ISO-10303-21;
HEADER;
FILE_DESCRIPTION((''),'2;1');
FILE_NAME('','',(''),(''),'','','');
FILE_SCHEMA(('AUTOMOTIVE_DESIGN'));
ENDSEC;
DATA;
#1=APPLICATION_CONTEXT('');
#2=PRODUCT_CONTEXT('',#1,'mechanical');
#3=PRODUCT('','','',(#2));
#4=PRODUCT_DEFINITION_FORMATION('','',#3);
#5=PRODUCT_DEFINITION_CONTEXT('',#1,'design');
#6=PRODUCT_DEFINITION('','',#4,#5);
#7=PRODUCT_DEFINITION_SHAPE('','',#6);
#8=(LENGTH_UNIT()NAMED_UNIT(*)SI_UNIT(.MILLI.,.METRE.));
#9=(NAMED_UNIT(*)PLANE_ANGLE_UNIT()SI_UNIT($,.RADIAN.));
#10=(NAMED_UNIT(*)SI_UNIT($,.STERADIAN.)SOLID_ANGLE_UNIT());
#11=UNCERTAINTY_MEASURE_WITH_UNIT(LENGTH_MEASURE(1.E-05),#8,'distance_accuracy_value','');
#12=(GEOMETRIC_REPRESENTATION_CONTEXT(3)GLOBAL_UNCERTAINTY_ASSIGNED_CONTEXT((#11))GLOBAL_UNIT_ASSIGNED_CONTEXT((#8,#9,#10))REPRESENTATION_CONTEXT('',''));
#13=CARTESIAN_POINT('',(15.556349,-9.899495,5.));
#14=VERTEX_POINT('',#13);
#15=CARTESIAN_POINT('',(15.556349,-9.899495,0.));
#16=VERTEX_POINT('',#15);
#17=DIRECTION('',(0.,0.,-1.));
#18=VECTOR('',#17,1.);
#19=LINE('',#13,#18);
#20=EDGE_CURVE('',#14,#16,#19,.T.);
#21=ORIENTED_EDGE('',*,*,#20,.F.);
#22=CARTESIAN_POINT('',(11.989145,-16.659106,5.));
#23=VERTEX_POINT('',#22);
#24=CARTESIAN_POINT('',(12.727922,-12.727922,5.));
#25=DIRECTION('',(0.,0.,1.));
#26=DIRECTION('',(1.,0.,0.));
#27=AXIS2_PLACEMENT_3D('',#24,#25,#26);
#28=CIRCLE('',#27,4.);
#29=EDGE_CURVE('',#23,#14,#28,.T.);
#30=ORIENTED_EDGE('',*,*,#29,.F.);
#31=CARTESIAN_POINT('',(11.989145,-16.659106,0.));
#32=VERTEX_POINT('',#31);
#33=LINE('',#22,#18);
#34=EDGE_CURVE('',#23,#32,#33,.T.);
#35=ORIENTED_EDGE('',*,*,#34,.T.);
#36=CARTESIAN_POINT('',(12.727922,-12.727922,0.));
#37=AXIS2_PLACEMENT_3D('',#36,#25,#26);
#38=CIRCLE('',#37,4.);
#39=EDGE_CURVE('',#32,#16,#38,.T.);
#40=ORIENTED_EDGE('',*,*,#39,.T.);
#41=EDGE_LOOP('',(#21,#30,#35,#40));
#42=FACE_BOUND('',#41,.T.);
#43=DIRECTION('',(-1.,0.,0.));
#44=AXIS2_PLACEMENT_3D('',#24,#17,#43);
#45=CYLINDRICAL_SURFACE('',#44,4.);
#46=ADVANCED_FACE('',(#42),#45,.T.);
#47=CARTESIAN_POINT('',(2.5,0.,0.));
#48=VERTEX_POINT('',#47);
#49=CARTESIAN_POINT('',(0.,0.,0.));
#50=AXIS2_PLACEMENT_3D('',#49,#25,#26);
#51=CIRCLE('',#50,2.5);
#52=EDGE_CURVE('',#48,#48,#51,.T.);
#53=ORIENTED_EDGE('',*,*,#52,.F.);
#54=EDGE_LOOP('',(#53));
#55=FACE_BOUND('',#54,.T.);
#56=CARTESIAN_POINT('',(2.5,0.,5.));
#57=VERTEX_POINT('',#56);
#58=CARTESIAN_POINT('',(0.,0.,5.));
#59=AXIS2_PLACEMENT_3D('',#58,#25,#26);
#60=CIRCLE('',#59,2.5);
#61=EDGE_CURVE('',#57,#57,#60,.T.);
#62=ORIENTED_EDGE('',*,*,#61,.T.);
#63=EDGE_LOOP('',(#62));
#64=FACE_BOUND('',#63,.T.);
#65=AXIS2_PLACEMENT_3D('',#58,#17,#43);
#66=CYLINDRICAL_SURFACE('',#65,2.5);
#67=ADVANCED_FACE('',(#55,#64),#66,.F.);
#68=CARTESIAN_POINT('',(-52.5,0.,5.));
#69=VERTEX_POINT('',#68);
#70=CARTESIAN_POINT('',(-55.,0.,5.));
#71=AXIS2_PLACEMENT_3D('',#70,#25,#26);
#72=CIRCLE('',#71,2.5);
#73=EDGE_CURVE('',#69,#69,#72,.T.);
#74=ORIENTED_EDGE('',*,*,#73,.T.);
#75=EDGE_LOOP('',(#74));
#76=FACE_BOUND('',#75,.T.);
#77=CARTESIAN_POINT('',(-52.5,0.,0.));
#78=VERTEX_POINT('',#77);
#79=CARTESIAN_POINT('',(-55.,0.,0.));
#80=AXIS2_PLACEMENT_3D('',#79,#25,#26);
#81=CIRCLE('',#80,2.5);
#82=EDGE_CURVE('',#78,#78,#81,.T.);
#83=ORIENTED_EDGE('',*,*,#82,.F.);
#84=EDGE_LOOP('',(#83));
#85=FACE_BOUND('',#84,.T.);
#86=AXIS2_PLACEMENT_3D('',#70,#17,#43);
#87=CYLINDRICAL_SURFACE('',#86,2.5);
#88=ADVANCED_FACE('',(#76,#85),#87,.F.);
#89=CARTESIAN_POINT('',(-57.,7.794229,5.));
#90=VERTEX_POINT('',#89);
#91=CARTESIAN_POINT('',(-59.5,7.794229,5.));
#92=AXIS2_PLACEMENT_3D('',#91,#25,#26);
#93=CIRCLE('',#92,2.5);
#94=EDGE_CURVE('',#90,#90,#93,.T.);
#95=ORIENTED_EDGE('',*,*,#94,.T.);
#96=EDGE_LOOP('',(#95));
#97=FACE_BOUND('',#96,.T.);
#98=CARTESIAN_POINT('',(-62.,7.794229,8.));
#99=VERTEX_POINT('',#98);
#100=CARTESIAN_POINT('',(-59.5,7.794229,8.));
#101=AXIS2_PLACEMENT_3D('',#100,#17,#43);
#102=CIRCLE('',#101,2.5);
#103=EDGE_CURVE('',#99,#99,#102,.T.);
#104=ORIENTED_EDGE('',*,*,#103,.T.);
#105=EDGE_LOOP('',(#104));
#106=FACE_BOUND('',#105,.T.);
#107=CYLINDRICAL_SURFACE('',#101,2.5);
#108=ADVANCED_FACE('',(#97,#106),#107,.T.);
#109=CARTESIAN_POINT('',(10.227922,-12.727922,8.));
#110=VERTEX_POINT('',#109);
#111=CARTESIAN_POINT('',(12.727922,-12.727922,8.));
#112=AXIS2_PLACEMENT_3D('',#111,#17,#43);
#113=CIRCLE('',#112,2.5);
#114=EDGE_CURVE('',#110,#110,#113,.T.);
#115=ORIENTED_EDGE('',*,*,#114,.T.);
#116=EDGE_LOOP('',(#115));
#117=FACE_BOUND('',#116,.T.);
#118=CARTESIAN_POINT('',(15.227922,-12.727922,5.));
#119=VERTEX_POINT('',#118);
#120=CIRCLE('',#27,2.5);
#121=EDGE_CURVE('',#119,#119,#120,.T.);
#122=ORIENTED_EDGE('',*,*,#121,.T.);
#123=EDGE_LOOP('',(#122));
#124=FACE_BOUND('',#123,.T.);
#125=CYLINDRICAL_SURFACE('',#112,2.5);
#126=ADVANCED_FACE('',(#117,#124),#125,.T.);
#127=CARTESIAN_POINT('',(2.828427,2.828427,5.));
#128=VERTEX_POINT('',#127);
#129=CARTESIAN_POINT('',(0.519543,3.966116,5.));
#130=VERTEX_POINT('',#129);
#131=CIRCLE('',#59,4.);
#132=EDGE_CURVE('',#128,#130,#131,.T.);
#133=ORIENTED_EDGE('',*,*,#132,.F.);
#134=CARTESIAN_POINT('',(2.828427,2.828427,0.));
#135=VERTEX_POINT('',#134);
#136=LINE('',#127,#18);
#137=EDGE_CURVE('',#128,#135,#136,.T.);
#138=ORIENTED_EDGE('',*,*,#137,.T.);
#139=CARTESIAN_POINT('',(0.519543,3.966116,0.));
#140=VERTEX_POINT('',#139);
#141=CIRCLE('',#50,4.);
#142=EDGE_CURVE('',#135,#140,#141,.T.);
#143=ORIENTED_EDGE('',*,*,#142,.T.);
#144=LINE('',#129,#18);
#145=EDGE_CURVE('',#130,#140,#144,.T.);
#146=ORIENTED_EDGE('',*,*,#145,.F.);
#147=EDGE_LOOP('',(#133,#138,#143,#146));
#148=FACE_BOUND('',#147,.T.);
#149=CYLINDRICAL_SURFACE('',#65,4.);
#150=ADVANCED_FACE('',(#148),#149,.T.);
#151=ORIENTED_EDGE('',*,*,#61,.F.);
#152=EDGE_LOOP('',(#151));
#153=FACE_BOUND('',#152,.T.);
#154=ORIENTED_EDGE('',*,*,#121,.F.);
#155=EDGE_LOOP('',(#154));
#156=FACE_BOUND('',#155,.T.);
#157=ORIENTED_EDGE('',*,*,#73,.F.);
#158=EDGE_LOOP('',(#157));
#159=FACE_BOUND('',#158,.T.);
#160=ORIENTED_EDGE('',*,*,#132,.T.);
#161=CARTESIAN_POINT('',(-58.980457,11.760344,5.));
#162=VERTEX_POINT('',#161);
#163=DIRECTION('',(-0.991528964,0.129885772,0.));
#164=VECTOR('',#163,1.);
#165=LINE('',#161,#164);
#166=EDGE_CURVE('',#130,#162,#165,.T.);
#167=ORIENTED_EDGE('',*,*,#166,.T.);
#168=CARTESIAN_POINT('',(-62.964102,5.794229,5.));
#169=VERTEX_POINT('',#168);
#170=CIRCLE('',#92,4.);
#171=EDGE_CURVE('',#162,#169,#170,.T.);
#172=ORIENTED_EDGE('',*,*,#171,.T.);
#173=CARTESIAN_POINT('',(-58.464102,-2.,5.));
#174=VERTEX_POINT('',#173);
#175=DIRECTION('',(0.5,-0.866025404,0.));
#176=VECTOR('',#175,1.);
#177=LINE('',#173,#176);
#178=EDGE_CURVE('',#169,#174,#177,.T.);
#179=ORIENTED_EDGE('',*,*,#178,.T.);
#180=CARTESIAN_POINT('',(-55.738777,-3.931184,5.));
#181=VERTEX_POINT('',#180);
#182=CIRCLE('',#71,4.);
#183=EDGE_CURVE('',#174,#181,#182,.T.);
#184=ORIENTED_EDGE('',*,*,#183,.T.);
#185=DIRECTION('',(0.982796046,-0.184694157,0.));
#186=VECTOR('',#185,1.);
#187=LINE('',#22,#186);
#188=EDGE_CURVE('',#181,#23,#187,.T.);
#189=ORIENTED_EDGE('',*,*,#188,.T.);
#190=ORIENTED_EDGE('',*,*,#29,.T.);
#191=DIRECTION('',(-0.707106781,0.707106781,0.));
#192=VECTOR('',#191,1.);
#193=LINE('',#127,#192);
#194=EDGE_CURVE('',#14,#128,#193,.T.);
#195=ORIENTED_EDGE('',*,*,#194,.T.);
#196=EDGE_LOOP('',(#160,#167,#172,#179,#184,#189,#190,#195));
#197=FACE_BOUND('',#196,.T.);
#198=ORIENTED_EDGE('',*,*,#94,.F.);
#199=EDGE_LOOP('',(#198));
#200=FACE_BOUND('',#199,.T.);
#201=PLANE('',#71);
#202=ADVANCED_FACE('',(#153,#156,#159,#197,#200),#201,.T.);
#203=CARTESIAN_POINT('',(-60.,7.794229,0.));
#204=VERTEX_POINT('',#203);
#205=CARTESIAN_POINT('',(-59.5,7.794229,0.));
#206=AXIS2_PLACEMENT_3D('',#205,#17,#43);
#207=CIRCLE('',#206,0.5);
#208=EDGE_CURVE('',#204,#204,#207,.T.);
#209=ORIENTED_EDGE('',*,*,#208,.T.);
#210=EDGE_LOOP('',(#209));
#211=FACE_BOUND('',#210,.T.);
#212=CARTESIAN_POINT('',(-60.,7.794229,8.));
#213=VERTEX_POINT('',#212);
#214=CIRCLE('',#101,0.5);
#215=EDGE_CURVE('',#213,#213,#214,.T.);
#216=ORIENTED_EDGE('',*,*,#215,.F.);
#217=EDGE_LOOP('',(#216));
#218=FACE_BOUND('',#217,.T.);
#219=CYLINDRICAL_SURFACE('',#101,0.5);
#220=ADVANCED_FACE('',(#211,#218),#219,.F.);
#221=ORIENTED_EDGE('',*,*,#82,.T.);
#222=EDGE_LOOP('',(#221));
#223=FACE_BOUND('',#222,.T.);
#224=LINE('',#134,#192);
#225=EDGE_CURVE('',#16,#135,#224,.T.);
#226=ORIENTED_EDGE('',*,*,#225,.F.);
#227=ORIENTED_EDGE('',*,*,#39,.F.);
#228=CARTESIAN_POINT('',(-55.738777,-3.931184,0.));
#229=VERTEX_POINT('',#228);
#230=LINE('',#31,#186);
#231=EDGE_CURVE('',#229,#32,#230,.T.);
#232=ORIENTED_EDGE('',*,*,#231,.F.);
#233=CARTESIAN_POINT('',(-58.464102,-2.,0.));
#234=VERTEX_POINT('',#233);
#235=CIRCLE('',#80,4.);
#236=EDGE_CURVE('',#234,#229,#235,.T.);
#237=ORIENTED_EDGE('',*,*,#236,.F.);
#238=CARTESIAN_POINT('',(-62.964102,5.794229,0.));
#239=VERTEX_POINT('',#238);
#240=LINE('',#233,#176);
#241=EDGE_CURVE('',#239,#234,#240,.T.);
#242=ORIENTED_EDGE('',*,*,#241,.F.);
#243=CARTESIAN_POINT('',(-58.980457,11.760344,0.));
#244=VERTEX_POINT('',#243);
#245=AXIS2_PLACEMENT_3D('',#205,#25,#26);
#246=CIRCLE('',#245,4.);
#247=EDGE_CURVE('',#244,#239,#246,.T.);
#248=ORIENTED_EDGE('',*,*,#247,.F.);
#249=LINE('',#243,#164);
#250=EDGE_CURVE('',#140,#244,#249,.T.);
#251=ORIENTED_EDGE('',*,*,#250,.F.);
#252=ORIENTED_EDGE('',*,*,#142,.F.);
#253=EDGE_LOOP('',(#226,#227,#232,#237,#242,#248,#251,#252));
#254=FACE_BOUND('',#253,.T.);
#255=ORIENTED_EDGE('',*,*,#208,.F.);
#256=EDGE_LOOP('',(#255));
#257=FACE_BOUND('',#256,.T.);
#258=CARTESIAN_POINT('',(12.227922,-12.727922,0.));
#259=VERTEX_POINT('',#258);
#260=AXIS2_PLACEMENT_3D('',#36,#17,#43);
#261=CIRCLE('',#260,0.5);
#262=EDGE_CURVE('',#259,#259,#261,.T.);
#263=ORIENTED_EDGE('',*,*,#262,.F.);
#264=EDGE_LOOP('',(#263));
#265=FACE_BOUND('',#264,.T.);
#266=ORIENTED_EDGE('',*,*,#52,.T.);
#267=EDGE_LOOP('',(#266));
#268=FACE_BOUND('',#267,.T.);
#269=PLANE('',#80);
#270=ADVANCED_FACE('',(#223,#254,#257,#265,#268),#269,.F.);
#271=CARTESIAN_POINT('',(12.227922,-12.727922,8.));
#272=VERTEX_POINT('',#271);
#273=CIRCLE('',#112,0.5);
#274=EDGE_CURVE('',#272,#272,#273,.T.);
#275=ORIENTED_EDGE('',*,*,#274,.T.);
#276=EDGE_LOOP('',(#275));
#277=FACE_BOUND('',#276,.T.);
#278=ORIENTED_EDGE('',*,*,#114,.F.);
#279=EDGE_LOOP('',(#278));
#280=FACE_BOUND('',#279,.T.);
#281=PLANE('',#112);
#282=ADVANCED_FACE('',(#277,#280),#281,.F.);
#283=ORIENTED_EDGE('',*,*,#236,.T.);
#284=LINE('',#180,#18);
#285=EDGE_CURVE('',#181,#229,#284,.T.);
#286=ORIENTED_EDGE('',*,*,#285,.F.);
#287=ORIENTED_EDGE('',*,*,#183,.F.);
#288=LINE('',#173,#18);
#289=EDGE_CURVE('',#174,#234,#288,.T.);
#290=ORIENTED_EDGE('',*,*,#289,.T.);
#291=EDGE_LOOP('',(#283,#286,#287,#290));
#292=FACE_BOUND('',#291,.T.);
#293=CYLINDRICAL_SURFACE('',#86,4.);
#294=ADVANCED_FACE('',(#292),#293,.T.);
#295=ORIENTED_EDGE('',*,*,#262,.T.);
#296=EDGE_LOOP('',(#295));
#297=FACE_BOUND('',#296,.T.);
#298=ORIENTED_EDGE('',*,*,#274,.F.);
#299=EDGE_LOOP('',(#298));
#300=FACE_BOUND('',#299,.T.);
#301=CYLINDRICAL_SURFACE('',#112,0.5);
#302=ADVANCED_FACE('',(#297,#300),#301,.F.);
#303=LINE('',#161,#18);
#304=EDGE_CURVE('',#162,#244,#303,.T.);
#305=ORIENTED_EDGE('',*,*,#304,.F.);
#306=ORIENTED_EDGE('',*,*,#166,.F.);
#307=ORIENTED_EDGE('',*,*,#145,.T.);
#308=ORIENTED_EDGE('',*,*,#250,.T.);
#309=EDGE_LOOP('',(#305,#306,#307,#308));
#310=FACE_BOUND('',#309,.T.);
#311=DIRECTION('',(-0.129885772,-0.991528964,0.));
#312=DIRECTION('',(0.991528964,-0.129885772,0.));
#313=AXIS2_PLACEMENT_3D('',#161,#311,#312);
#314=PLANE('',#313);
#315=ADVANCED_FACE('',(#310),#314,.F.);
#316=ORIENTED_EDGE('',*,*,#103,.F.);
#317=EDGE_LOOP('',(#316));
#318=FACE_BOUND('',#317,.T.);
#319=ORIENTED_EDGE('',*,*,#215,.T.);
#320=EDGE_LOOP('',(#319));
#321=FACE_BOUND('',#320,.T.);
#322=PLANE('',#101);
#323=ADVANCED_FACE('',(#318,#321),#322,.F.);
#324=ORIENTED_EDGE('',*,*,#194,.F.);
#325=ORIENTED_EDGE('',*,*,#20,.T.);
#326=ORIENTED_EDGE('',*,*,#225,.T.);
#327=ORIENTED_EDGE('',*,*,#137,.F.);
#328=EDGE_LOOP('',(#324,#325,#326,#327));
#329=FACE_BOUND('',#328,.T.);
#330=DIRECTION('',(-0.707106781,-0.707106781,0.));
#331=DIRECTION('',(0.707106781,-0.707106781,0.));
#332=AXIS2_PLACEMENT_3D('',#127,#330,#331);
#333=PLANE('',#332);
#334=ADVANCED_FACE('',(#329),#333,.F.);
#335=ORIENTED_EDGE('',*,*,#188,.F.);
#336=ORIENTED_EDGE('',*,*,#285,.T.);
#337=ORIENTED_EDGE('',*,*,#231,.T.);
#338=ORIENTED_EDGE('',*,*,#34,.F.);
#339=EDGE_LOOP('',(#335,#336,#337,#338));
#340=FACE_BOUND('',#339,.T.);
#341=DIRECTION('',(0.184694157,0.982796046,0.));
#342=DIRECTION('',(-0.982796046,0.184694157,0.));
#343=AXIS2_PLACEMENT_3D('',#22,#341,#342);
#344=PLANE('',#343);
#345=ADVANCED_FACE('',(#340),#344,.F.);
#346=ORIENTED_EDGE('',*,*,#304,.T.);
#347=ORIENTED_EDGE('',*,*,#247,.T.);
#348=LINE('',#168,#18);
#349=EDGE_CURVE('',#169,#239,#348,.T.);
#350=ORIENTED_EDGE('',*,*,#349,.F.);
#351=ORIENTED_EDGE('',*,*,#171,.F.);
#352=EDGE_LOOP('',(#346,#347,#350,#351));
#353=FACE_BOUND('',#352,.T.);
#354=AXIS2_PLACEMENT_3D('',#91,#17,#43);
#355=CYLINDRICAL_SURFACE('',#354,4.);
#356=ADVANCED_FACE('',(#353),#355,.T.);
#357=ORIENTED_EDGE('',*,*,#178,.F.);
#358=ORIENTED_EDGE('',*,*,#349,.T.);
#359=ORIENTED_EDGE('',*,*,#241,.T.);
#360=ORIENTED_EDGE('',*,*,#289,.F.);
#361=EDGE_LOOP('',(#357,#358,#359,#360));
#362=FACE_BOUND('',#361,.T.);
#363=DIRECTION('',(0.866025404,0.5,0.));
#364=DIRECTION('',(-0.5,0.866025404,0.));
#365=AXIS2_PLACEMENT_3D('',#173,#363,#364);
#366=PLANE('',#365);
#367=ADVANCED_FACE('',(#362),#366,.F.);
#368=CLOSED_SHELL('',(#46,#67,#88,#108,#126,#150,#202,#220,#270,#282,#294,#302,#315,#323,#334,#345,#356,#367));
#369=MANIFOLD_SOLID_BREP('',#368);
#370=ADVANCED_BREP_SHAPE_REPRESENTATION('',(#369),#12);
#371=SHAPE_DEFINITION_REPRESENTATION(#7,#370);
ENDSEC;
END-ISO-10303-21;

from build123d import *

# Parameters (mm, degrees)
SKETCH2_R           = 2.5
BOSS_EXTRUDE1_DEPTH = 5
SKETCH4_R           = 2.5
SKETCH4_R_2         = 0.5
BOSS_EXTRUDE3_DEPTH = 8


with BuildPart() as part:
    # Sketch2 → Boss-Extrude1 (new body)
    with BuildSketch(Plane.XY):
        with BuildLine():
            Line((-58.980456911, 11.76034449), (0.519543089, 3.966115855))
            ThreePointArc((0.519543089, 3.966115855), (1.767996055, 3.588062144), (2.828427125, 2.828427125))
            Line((2.828427125, 2.828427125), (15.556349186, -9.899494937))
            ThreePointArc((15.556349186, -9.899494937), (16.265540761, -14.594805544), (11.989145433, -16.659106246))
            Line((11.989145433, -16.659106246), (-55.738776628, -3.931184185))
            ThreePointArc((-55.738776628, -3.931184185), (-57.312663934, -3.263676689), (-58.464101615, -2))
            Line((-58.464101615, -2), (-62.964101615, 5.794228634))
            ThreePointArc((-62.964101615, 5.794228634), (-62.826595982, 10.015435327), (-58.980456911, 11.76034449))
        make_face()
        with Locations((-55, 0)):
            Circle(SKETCH2_R, mode=Mode.SUBTRACT)
        with Locations((-59.5, 7.794228634)):
            Circle(SKETCH2_R, mode=Mode.SUBTRACT)
        Circle(SKETCH2_R, mode=Mode.SUBTRACT)
        with Locations((12.727922061, -12.727922061)):
            Circle(SKETCH2_R, mode=Mode.SUBTRACT)
    extrude(amount=BOSS_EXTRUDE1_DEPTH)

    # Sketch4 → Boss-Extrude3 (add)
    # profile 1 of 2: a face of its own
    with BuildSketch(Plane(origin=(0, 0, 0), x_dir=(-1, 0, 0), z_dir=(0, 0, -1))):
        with Locations((59.5, 7.794228634)):
            Circle(SKETCH4_R)
        with Locations((59.5, 7.794228634)):
            Circle(SKETCH4_R_2, mode=Mode.SUBTRACT)
    # profile 2 of 2: a face of its own
    with BuildSketch(Plane(origin=(0, 0, 0), x_dir=(-1, 0, 0), z_dir=(0, 0, -1))):
        with Locations((-12.727922061, -12.727922061)):
            Circle(SKETCH4_R)
        with Locations((-12.727922061, -12.727922061)):
            Circle(SKETCH4_R_2, mode=Mode.SUBTRACT)
    extrude(amount=-BOSS_EXTRUDE3_DEPTH)


solid = part.part
